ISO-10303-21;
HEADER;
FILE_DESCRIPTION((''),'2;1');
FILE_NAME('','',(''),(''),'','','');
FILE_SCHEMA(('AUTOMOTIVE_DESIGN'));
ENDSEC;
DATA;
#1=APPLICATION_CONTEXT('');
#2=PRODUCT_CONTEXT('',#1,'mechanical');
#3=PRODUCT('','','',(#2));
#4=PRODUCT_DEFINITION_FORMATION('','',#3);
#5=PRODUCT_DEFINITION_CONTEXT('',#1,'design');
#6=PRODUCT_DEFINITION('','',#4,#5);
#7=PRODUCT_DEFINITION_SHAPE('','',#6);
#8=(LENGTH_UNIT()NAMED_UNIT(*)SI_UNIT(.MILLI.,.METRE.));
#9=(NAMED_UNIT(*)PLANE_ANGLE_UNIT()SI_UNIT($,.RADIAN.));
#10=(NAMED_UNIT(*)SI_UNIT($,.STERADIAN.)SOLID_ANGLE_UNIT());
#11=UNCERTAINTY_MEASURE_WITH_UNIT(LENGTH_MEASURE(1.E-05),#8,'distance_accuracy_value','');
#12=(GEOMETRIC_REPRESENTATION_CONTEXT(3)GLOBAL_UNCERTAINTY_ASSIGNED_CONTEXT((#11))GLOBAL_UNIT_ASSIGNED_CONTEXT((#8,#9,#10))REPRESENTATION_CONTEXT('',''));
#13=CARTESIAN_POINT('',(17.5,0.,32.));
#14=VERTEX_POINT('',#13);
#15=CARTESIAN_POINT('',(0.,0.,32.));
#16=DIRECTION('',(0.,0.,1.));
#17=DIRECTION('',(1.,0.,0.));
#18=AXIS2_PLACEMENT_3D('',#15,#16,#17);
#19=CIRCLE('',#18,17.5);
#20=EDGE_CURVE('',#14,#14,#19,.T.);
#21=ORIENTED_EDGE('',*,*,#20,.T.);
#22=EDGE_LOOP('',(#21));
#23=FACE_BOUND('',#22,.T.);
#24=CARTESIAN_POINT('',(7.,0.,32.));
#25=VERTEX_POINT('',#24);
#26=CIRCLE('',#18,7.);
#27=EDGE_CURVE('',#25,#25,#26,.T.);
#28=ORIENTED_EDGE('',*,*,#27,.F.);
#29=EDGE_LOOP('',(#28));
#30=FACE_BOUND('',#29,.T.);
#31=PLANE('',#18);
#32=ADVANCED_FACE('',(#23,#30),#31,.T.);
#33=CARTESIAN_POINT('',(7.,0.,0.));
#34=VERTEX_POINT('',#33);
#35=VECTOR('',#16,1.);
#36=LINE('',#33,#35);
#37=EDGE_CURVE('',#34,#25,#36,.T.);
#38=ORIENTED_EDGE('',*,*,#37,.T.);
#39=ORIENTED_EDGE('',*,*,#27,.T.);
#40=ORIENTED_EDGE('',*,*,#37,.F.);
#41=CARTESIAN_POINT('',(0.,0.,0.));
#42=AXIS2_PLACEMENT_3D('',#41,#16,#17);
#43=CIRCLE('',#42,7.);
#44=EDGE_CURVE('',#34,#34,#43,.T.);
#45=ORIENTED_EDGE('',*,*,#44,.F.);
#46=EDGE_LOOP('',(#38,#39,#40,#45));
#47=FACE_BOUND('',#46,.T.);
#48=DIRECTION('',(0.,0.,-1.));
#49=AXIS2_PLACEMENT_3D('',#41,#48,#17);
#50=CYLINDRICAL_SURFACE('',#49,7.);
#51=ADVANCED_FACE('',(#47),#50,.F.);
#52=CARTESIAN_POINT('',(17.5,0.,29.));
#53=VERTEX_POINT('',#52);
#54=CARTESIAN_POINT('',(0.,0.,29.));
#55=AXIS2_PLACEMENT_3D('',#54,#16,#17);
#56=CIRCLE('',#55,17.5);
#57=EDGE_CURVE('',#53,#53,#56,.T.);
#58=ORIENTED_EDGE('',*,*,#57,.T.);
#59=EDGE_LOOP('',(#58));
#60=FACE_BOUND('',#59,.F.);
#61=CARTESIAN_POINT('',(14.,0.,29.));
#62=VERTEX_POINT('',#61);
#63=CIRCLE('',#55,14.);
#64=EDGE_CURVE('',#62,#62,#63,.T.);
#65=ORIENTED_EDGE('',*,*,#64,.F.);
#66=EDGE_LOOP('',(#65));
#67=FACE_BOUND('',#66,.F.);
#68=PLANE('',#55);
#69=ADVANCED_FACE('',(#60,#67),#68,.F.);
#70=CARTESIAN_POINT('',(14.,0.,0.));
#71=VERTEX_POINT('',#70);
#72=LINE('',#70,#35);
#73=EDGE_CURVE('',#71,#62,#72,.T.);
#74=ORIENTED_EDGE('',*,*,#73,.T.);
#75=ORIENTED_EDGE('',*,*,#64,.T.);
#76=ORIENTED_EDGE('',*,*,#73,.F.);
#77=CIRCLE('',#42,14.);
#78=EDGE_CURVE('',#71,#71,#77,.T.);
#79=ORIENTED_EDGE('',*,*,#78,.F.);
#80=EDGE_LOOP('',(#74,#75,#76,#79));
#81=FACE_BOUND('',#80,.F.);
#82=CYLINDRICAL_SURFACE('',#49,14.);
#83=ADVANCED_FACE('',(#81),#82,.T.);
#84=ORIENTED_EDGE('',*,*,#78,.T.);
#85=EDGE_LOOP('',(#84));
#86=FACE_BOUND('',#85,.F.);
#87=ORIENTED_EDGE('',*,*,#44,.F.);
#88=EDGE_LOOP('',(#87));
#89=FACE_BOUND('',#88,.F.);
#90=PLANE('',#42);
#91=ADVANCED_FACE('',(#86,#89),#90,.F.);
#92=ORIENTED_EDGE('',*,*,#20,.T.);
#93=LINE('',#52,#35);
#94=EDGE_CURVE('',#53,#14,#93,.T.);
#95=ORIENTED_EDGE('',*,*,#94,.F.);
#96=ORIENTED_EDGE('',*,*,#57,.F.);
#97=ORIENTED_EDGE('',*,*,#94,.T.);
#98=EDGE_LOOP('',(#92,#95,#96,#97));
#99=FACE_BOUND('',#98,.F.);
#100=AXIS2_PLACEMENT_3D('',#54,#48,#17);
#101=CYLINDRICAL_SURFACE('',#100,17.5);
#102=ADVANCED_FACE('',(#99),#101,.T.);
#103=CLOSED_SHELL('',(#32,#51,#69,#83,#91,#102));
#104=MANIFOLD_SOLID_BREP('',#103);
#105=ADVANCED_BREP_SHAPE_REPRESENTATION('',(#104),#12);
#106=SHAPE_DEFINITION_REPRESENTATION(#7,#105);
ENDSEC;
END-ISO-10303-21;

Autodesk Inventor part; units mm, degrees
ref_plane "YZ Plane" through (0, 0, 0) normal (1, 0, 0) x (0, 1, 0)
ref_plane "XZ Plane" through (0, 0, 0) normal (0, 1, 0) x (-1, 0, 0)
ref_plane "XY Plane" through (0, 0, 0) normal (0, 0, 1) x (1, 0, 0)
sketch "Sketch1" plane through (0, 0, 0) normal (0, 0, 1) x (1, 0, 0)
  circle A0 centre (0, 0) radius 7
  circle A1 centre (0, 0) radius 14
  dimension "d0" = 14
  dimension "d1" = 28
extrude "Extrusion1" add sketch "Sketch1" along normal blind 29
sketch "Sketch2" plane through (0, 0, 29) normal (0, 0, 1) x (1, 0, 0)
  circle A0 centre (0, 0) radius 14 projected
  circle A1 centre (0, 0) radius 17.5
  circle A2 centre (0, 0) radius 7 projected
  dimension "d4" = 35
extrude "Extrusion2" add sketch "Sketch2" along normal blind 3 contours A0 | A1
properties part number "WA002" material "ABS Plastic"
